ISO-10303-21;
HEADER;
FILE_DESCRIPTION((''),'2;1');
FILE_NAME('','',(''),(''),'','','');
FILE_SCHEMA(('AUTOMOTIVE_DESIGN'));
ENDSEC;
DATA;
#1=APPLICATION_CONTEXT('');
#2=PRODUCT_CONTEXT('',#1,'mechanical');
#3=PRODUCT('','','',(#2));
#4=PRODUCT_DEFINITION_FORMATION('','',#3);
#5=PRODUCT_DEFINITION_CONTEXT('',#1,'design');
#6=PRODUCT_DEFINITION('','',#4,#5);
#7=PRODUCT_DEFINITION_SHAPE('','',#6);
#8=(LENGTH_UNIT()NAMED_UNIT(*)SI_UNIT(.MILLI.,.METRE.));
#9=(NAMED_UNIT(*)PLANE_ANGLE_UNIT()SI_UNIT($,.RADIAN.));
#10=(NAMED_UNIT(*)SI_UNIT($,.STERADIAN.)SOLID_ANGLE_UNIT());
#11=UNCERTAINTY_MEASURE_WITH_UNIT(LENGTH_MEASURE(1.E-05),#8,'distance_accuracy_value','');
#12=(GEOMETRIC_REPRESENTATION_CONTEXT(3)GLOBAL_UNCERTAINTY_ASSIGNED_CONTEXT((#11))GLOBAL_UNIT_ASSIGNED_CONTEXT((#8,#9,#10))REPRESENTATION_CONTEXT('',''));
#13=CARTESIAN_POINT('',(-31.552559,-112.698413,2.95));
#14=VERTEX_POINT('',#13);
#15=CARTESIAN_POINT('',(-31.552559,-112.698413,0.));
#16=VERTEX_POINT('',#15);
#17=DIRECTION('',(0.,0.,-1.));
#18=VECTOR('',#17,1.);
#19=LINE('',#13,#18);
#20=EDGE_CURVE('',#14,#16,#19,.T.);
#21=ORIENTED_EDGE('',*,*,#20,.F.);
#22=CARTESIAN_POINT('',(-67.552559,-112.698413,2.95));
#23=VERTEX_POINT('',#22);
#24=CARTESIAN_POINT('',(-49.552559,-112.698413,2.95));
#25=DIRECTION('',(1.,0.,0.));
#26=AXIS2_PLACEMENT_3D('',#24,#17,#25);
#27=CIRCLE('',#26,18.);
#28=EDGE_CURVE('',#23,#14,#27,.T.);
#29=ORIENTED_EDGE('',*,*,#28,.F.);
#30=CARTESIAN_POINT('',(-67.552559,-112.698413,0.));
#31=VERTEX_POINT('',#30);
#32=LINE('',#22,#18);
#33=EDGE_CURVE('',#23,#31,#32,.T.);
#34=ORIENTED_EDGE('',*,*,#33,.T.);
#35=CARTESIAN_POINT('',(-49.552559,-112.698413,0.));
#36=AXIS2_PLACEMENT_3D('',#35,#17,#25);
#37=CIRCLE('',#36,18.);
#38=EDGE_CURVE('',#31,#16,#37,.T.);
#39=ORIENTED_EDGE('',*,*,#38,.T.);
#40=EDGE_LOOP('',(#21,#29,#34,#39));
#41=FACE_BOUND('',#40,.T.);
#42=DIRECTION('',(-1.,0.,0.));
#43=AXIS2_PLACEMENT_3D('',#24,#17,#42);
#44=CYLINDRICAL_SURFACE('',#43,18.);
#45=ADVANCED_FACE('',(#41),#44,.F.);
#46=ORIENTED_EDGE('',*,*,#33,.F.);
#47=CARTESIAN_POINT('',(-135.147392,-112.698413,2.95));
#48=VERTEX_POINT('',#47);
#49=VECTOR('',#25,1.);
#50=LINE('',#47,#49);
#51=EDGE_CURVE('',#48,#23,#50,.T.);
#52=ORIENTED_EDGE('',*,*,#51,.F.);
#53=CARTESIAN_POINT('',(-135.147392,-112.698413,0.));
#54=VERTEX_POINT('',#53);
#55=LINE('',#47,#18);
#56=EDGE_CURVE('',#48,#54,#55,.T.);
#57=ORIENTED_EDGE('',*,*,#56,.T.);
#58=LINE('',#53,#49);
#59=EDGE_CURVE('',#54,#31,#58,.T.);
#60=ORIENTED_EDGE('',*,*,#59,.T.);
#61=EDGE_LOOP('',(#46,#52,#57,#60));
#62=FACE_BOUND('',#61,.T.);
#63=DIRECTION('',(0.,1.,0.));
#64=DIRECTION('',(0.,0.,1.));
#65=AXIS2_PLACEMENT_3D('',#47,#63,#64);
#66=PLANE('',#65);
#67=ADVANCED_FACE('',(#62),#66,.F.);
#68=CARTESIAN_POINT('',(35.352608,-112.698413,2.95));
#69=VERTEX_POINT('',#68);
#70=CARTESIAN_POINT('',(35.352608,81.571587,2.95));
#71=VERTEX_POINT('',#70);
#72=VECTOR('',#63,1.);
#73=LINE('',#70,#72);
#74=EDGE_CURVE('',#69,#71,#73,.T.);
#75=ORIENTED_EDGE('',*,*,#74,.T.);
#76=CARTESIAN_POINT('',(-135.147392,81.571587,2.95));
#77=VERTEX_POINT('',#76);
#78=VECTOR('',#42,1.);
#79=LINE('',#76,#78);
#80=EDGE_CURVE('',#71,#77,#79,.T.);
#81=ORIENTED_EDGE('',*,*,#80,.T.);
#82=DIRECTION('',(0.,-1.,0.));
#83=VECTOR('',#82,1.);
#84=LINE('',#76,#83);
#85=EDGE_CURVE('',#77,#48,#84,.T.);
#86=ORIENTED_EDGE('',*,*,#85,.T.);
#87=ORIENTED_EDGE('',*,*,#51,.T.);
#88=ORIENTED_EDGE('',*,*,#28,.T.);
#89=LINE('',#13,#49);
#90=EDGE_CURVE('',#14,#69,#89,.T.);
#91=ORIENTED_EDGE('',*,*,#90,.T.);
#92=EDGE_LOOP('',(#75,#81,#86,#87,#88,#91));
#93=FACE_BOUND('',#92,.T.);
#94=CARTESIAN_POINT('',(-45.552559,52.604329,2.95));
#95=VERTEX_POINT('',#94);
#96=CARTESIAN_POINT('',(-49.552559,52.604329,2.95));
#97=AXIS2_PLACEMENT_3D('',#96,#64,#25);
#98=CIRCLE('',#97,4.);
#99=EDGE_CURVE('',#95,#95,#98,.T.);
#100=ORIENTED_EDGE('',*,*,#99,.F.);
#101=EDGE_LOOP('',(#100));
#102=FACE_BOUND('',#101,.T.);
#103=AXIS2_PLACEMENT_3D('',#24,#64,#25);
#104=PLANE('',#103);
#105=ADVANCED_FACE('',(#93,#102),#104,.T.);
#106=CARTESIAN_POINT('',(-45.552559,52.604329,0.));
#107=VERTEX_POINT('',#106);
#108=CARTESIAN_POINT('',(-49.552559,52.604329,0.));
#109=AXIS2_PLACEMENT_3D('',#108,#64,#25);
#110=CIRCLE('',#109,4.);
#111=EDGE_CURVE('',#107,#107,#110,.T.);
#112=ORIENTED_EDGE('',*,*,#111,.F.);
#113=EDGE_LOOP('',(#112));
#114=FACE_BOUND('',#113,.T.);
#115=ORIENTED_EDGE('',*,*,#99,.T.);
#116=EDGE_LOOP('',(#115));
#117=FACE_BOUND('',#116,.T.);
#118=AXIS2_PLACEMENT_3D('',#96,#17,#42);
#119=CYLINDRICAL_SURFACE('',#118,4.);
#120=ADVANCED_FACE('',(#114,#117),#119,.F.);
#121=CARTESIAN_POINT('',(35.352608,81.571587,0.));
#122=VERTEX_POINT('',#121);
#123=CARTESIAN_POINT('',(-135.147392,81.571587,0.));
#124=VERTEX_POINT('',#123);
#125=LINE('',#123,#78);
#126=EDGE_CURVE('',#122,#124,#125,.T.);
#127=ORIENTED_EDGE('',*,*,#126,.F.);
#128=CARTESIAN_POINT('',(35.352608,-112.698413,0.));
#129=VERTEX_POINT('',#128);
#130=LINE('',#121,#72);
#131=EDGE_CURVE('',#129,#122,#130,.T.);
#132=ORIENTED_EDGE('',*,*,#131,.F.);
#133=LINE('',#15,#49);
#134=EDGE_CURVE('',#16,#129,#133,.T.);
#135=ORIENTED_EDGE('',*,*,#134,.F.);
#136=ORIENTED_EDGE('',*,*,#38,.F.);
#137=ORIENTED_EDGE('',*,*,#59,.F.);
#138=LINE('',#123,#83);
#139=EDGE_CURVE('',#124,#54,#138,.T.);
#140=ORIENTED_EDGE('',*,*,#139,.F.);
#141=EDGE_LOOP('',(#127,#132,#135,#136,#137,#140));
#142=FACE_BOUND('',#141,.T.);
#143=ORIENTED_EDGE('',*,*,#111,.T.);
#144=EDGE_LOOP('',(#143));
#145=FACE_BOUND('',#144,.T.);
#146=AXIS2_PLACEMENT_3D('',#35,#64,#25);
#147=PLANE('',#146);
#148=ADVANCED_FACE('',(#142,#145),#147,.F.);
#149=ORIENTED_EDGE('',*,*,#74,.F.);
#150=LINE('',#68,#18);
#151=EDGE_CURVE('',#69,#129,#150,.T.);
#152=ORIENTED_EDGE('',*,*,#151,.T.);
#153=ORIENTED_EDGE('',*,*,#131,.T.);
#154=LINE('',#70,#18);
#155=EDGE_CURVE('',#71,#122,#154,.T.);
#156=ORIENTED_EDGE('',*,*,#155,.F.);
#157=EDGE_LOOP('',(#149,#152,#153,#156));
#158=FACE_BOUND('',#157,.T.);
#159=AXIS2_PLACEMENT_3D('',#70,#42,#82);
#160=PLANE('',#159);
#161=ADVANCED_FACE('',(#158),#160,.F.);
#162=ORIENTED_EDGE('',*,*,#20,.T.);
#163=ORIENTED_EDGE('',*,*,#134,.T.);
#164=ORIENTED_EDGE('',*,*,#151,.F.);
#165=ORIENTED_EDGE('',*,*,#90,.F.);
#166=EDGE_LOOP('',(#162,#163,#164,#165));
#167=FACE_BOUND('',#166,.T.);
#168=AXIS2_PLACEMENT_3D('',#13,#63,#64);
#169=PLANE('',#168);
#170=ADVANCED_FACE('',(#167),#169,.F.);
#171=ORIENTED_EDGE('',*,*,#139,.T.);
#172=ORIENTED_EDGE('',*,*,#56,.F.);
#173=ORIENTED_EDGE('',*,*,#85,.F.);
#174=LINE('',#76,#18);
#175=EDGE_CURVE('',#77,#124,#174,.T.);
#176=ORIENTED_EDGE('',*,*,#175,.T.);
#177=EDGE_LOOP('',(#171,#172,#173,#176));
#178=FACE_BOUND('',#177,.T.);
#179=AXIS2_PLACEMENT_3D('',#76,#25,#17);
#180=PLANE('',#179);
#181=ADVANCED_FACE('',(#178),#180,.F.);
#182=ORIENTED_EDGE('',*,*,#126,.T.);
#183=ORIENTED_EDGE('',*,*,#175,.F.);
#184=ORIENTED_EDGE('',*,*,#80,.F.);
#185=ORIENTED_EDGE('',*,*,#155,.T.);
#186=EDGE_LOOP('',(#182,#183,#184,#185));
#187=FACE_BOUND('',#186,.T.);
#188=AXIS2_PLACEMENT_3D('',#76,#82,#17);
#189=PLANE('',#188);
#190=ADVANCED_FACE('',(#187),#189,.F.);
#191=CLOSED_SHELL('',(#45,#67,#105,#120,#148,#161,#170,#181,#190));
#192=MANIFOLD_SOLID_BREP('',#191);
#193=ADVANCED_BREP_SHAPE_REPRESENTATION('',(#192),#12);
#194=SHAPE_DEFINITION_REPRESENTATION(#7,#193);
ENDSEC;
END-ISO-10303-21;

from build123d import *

# Parameters (mm, degrees)
SKETCH1_R           = 4
BOSS_EXTRUDE1_DEPTH = 2.95


with BuildPart() as part:
    # Sketch1 → Boss-Extrude1 (new body)
    with BuildSketch(Plane.XY):
        with BuildLine():
            Line((-135.14739229, 81.571587302), (-135.14739229, -112.698412698))
            Line((-135.14739229, -112.698412698), (-67.552558868, -112.698412698))
            ThreePointArc((-67.552558868, -112.698412698), (-49.552558868, -94.698412698), (-31.552558868, -112.698412698))
            Line((-31.552558868, -112.698412698), (35.35260771, -112.698412698))
            Line((35.35260771, -112.698412698), (35.35260771, 81.571587302))
            Line((35.35260771, 81.571587302), (-135.14739229, 81.571587302))
        make_face()
        with Locations((-49.552558868, 52.604329301)):
            Circle(SKETCH1_R, mode=Mode.SUBTRACT)
    extrude(amount=BOSS_EXTRUDE1_DEPTH)


solid = part.part
